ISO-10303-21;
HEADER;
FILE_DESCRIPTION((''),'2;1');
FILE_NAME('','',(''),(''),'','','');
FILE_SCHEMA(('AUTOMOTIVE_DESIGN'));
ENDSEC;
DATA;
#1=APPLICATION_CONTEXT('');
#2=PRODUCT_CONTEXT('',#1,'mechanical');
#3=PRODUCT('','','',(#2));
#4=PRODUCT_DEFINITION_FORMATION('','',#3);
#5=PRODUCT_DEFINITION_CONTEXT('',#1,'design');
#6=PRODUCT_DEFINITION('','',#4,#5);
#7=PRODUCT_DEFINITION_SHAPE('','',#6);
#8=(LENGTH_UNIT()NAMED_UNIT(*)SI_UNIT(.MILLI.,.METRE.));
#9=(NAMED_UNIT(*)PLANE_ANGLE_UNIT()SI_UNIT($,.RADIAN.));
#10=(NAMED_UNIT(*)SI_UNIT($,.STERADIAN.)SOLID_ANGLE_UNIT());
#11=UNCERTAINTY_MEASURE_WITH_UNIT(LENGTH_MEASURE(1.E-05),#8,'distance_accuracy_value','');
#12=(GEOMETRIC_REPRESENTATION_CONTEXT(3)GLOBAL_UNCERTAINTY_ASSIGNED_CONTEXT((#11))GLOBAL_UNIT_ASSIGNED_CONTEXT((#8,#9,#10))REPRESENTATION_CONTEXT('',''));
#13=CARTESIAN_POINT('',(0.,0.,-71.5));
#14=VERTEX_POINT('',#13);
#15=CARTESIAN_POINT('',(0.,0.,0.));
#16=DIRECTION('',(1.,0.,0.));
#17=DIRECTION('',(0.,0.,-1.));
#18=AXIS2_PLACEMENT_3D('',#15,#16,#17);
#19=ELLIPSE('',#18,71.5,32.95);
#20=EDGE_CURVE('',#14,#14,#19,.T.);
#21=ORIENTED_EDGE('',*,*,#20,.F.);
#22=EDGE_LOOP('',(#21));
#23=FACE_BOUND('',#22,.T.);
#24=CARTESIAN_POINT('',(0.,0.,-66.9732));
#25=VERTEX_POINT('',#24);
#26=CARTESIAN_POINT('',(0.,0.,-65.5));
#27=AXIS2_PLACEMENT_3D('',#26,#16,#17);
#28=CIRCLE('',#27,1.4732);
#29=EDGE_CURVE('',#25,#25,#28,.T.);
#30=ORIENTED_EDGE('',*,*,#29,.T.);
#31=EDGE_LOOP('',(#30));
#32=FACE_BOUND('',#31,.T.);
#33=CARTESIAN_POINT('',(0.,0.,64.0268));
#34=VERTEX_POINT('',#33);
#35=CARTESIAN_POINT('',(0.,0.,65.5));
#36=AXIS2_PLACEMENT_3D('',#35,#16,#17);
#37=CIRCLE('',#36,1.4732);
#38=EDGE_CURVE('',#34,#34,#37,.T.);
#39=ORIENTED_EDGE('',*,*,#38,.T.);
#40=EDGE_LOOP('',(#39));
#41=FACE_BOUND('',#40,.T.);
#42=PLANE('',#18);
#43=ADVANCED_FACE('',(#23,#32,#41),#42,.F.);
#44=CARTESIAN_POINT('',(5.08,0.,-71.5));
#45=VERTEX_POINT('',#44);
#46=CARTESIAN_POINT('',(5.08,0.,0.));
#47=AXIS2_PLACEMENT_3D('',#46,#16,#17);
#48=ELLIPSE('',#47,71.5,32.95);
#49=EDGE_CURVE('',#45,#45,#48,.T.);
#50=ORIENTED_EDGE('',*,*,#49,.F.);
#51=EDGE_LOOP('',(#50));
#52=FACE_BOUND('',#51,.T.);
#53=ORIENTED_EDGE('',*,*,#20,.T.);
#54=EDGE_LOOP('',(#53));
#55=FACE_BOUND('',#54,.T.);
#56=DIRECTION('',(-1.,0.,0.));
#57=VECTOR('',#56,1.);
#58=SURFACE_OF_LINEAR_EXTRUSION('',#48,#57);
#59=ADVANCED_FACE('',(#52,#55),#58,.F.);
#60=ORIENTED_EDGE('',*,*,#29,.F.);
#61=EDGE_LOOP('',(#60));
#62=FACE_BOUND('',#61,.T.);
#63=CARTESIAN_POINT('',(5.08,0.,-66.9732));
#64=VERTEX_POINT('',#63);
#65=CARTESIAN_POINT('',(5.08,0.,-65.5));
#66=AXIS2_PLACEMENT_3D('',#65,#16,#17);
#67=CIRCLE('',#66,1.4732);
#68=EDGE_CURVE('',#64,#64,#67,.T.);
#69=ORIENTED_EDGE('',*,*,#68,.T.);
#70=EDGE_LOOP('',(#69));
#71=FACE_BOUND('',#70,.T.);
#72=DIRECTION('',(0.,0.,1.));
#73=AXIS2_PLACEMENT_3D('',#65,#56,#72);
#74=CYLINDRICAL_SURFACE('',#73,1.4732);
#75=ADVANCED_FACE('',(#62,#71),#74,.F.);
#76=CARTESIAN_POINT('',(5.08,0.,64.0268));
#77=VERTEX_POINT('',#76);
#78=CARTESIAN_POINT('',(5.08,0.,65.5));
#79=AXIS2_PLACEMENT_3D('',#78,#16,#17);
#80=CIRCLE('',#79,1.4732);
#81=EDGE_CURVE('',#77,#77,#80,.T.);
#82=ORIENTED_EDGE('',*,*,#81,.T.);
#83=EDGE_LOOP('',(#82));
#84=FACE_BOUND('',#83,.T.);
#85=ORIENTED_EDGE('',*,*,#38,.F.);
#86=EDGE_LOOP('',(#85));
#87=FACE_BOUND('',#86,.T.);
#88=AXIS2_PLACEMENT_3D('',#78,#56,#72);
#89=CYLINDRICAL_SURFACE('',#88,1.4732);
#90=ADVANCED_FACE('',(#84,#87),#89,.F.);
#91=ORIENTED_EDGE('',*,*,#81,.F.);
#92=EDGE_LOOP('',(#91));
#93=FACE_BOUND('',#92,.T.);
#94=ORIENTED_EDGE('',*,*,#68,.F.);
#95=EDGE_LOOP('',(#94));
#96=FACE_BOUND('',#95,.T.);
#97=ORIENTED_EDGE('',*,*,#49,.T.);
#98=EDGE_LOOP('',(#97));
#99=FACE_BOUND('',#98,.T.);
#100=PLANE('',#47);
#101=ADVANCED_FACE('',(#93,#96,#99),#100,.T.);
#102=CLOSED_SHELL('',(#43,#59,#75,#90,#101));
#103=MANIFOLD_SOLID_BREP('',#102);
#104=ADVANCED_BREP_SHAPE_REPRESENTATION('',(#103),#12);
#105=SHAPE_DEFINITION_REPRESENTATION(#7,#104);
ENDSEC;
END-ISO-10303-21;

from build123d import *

# Parameters (mm, degrees)
SKETCH1_RX          = 71.5
SKETCH1_RY          = 32.95
SKETCH1_R           = 1.4732
BOSS_EXTRUDE1_DEPTH = 5.08


with BuildPart() as part:
    # Sketch1 → Boss-Extrude1 (new body)
    with BuildSketch(Plane(origin=(0, 0, 0), x_dir=(0, 0, -1), z_dir=(1, 0, 0))):
        with Locations((0, 0)):
            Ellipse(SKETCH1_RX, SKETCH1_RY)
        with Locations((-65.5, 0)):
            Circle(SKETCH1_R, mode=Mode.SUBTRACT)
        with Locations((65.5, 0)):
            Circle(SKETCH1_R, mode=Mode.SUBTRACT)
    extrude(amount=BOSS_EXTRUDE1_DEPTH)


solid = part.part
